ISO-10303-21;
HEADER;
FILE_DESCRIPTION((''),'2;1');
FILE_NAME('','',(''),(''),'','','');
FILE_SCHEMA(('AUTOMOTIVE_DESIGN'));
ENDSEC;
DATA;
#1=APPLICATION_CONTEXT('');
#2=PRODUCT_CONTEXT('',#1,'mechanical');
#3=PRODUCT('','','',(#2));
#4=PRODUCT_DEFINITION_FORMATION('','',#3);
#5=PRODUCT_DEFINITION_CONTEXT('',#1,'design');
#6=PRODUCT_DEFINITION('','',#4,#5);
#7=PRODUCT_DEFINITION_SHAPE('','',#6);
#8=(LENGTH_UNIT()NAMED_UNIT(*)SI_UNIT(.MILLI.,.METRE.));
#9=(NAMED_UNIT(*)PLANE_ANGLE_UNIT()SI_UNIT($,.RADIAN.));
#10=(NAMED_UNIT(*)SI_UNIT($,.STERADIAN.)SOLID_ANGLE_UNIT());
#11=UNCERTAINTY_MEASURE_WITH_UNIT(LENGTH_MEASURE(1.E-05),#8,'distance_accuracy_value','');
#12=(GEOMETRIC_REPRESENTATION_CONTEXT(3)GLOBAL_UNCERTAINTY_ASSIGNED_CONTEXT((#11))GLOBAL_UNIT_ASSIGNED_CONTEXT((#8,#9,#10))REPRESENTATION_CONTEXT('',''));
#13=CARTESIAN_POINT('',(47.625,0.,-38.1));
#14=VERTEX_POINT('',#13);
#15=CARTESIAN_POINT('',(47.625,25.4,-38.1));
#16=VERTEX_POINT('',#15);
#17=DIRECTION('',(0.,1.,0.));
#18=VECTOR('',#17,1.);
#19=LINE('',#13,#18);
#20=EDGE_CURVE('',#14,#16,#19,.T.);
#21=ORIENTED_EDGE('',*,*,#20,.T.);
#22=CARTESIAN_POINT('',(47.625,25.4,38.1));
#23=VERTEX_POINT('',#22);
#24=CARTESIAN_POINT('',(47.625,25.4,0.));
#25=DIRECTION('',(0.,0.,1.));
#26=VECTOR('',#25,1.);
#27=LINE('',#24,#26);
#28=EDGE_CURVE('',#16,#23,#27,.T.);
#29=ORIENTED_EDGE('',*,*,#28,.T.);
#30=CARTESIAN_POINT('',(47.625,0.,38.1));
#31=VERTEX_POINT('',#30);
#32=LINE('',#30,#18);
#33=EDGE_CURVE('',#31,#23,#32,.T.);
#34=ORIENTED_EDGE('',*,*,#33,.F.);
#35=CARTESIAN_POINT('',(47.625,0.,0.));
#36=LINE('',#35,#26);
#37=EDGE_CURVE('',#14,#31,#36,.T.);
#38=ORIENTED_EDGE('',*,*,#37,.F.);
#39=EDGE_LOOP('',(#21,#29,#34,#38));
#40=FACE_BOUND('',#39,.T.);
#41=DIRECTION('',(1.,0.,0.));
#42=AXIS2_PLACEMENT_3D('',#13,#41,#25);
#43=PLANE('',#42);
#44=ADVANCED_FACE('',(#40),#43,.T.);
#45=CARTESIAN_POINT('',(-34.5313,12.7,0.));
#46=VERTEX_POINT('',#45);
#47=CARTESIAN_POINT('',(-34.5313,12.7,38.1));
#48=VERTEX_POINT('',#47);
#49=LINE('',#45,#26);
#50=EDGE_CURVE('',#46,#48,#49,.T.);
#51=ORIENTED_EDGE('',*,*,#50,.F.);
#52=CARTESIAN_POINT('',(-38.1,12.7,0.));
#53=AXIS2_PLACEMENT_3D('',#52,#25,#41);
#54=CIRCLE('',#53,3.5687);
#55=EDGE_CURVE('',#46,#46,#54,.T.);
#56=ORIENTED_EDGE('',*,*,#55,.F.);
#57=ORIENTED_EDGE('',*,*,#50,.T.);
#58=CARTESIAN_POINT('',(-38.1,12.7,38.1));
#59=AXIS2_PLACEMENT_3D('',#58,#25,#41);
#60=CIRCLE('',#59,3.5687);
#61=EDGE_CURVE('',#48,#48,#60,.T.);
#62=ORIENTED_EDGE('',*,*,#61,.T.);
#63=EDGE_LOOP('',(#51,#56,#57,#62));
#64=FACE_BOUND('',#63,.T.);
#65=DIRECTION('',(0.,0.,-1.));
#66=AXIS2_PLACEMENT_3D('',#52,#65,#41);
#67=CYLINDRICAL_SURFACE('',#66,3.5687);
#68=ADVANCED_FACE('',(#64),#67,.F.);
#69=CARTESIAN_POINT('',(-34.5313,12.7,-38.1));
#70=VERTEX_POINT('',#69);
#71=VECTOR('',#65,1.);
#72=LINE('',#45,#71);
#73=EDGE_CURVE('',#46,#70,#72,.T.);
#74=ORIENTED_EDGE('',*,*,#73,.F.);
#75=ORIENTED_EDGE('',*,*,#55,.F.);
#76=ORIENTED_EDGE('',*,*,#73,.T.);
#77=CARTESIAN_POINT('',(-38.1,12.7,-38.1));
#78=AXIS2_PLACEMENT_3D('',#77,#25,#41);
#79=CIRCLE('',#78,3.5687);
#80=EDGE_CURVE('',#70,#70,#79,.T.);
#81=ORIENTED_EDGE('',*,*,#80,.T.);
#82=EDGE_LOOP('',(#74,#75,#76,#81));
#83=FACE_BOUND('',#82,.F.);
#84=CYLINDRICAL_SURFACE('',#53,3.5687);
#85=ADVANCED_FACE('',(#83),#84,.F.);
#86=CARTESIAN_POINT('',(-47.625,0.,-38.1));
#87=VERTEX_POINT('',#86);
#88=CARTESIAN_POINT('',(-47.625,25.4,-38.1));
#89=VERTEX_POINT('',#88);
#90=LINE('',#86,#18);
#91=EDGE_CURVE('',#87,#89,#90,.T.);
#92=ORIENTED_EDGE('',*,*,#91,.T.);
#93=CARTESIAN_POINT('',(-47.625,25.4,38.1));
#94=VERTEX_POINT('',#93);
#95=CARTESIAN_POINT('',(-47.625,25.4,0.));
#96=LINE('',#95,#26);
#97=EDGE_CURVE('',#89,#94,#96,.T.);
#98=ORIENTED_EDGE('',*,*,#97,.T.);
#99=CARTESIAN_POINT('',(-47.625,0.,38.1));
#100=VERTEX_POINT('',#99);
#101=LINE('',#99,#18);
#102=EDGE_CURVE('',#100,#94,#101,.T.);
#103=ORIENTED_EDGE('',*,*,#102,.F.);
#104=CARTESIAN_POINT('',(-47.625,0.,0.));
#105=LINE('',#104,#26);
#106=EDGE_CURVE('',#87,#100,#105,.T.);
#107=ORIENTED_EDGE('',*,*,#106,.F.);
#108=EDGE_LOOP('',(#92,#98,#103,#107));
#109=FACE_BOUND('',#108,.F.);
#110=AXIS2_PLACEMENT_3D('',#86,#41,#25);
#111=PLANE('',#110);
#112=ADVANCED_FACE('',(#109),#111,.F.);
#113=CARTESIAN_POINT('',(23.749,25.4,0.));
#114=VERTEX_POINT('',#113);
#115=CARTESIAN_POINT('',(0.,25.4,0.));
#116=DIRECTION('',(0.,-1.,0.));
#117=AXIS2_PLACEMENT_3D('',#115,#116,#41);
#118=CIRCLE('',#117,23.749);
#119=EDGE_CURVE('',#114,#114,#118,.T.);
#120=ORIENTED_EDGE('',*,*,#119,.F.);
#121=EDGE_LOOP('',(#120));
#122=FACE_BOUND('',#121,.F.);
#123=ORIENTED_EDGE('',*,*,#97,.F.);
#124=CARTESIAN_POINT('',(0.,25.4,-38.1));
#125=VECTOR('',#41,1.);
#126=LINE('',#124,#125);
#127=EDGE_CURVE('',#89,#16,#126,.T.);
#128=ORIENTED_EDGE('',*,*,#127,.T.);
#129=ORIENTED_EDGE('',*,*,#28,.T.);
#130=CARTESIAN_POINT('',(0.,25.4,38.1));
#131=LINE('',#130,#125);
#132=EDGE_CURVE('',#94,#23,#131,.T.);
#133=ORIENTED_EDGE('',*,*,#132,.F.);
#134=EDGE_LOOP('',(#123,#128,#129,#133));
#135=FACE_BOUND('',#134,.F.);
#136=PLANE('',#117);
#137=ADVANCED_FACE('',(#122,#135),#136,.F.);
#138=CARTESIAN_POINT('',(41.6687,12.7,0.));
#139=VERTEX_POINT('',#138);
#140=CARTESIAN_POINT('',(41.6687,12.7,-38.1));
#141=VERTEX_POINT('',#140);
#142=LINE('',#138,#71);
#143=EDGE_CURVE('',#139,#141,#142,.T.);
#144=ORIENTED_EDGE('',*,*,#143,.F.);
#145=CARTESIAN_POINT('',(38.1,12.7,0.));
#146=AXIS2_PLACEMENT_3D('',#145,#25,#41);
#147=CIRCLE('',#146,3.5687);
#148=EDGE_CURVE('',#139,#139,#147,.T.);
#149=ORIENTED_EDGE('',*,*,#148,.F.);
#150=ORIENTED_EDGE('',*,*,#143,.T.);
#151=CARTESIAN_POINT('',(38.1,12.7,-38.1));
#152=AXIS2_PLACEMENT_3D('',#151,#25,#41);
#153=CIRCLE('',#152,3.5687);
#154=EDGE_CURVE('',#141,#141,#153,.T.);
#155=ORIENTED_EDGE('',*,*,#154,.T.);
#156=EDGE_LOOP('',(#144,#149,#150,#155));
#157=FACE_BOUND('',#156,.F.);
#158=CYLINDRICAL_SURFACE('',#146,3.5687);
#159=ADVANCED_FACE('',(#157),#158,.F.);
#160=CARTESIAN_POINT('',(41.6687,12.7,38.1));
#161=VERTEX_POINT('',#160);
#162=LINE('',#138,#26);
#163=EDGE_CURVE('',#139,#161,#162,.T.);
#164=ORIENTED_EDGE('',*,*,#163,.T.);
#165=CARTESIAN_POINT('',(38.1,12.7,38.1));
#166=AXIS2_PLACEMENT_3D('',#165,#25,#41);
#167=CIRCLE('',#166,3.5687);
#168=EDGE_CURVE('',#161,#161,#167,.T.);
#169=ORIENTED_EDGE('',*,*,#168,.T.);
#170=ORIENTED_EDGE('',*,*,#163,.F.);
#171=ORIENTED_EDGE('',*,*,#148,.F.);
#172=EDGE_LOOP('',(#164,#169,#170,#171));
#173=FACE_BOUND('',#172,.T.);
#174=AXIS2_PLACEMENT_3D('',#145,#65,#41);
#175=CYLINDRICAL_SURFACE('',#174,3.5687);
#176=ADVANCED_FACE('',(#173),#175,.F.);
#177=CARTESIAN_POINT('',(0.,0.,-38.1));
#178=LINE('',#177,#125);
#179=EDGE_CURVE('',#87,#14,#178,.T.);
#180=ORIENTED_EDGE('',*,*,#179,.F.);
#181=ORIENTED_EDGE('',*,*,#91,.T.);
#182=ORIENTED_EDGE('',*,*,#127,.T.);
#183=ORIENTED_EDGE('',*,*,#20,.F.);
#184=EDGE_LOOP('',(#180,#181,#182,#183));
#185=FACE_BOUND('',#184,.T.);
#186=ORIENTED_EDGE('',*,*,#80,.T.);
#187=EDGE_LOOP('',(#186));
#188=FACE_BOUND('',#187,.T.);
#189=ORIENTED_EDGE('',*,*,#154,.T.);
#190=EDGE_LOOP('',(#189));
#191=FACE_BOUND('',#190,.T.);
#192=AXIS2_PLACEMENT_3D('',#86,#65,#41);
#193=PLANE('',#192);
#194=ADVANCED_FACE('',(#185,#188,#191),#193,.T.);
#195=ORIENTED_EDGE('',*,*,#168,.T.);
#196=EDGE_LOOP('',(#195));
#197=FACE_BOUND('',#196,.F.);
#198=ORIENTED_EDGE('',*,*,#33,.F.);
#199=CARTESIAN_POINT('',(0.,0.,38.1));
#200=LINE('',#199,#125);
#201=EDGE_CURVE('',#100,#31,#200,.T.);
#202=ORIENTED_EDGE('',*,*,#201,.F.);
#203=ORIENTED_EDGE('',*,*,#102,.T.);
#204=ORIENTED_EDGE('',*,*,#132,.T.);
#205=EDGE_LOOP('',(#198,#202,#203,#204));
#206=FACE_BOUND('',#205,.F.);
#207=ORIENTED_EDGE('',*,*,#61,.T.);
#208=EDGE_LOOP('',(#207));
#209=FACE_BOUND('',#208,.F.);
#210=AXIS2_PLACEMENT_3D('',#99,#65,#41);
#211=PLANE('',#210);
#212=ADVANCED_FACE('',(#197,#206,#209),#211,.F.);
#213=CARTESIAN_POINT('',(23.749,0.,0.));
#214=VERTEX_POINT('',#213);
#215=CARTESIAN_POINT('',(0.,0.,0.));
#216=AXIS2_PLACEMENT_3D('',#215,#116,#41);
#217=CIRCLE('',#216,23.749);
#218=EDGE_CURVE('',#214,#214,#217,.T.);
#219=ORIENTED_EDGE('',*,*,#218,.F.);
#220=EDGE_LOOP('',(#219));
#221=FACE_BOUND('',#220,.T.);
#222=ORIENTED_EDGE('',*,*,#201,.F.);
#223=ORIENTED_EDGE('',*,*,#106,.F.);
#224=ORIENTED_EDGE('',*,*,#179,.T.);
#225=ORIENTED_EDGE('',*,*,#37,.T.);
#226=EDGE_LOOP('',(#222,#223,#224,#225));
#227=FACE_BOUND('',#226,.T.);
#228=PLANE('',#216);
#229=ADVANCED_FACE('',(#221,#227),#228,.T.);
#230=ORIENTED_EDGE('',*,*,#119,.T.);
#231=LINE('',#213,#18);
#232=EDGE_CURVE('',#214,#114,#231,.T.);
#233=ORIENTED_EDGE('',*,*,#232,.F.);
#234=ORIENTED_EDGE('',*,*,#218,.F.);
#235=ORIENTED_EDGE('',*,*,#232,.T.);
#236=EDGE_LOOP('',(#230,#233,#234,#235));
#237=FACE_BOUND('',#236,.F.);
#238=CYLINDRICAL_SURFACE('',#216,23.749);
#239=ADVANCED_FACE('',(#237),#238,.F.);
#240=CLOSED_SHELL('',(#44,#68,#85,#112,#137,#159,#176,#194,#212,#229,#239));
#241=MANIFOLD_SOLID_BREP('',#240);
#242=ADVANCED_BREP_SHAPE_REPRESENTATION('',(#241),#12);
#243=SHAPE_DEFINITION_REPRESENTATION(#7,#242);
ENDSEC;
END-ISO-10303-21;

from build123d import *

# Parameters (mm, degrees)
F0_W          = 95.25
F0_H          = 76.2
F0_R          = 23.749
F1_DEPTH      = 25.4
F3_R          = 3.5687
F4_DEPTH      = 38.1
F4_DEPTH_BACK = 38.1


with BuildPart() as f1:
    # F0 (on Front) → F1 (new body)
    with BuildSketch(Plane.XZ):
        Rectangle(F0_W, F0_H)
        Circle(F0_R, mode=Mode.SUBTRACT)
    extrude(amount=-F1_DEPTH)

    # F3 (on Top) → F4 (cut, two sides)
    with BuildSketch(Plane.XY) as f4_sk:
        with Locations((-38.1, 12.7)):
            Circle(F3_R)
        with Locations((38.1, 12.7)):
            Circle(F3_R)
    extrude(amount=-F4_DEPTH, mode=Mode.SUBTRACT)
    extrude(f4_sk.sketch, amount=F4_DEPTH_BACK, mode=Mode.SUBTRACT)


solid = f1.part
